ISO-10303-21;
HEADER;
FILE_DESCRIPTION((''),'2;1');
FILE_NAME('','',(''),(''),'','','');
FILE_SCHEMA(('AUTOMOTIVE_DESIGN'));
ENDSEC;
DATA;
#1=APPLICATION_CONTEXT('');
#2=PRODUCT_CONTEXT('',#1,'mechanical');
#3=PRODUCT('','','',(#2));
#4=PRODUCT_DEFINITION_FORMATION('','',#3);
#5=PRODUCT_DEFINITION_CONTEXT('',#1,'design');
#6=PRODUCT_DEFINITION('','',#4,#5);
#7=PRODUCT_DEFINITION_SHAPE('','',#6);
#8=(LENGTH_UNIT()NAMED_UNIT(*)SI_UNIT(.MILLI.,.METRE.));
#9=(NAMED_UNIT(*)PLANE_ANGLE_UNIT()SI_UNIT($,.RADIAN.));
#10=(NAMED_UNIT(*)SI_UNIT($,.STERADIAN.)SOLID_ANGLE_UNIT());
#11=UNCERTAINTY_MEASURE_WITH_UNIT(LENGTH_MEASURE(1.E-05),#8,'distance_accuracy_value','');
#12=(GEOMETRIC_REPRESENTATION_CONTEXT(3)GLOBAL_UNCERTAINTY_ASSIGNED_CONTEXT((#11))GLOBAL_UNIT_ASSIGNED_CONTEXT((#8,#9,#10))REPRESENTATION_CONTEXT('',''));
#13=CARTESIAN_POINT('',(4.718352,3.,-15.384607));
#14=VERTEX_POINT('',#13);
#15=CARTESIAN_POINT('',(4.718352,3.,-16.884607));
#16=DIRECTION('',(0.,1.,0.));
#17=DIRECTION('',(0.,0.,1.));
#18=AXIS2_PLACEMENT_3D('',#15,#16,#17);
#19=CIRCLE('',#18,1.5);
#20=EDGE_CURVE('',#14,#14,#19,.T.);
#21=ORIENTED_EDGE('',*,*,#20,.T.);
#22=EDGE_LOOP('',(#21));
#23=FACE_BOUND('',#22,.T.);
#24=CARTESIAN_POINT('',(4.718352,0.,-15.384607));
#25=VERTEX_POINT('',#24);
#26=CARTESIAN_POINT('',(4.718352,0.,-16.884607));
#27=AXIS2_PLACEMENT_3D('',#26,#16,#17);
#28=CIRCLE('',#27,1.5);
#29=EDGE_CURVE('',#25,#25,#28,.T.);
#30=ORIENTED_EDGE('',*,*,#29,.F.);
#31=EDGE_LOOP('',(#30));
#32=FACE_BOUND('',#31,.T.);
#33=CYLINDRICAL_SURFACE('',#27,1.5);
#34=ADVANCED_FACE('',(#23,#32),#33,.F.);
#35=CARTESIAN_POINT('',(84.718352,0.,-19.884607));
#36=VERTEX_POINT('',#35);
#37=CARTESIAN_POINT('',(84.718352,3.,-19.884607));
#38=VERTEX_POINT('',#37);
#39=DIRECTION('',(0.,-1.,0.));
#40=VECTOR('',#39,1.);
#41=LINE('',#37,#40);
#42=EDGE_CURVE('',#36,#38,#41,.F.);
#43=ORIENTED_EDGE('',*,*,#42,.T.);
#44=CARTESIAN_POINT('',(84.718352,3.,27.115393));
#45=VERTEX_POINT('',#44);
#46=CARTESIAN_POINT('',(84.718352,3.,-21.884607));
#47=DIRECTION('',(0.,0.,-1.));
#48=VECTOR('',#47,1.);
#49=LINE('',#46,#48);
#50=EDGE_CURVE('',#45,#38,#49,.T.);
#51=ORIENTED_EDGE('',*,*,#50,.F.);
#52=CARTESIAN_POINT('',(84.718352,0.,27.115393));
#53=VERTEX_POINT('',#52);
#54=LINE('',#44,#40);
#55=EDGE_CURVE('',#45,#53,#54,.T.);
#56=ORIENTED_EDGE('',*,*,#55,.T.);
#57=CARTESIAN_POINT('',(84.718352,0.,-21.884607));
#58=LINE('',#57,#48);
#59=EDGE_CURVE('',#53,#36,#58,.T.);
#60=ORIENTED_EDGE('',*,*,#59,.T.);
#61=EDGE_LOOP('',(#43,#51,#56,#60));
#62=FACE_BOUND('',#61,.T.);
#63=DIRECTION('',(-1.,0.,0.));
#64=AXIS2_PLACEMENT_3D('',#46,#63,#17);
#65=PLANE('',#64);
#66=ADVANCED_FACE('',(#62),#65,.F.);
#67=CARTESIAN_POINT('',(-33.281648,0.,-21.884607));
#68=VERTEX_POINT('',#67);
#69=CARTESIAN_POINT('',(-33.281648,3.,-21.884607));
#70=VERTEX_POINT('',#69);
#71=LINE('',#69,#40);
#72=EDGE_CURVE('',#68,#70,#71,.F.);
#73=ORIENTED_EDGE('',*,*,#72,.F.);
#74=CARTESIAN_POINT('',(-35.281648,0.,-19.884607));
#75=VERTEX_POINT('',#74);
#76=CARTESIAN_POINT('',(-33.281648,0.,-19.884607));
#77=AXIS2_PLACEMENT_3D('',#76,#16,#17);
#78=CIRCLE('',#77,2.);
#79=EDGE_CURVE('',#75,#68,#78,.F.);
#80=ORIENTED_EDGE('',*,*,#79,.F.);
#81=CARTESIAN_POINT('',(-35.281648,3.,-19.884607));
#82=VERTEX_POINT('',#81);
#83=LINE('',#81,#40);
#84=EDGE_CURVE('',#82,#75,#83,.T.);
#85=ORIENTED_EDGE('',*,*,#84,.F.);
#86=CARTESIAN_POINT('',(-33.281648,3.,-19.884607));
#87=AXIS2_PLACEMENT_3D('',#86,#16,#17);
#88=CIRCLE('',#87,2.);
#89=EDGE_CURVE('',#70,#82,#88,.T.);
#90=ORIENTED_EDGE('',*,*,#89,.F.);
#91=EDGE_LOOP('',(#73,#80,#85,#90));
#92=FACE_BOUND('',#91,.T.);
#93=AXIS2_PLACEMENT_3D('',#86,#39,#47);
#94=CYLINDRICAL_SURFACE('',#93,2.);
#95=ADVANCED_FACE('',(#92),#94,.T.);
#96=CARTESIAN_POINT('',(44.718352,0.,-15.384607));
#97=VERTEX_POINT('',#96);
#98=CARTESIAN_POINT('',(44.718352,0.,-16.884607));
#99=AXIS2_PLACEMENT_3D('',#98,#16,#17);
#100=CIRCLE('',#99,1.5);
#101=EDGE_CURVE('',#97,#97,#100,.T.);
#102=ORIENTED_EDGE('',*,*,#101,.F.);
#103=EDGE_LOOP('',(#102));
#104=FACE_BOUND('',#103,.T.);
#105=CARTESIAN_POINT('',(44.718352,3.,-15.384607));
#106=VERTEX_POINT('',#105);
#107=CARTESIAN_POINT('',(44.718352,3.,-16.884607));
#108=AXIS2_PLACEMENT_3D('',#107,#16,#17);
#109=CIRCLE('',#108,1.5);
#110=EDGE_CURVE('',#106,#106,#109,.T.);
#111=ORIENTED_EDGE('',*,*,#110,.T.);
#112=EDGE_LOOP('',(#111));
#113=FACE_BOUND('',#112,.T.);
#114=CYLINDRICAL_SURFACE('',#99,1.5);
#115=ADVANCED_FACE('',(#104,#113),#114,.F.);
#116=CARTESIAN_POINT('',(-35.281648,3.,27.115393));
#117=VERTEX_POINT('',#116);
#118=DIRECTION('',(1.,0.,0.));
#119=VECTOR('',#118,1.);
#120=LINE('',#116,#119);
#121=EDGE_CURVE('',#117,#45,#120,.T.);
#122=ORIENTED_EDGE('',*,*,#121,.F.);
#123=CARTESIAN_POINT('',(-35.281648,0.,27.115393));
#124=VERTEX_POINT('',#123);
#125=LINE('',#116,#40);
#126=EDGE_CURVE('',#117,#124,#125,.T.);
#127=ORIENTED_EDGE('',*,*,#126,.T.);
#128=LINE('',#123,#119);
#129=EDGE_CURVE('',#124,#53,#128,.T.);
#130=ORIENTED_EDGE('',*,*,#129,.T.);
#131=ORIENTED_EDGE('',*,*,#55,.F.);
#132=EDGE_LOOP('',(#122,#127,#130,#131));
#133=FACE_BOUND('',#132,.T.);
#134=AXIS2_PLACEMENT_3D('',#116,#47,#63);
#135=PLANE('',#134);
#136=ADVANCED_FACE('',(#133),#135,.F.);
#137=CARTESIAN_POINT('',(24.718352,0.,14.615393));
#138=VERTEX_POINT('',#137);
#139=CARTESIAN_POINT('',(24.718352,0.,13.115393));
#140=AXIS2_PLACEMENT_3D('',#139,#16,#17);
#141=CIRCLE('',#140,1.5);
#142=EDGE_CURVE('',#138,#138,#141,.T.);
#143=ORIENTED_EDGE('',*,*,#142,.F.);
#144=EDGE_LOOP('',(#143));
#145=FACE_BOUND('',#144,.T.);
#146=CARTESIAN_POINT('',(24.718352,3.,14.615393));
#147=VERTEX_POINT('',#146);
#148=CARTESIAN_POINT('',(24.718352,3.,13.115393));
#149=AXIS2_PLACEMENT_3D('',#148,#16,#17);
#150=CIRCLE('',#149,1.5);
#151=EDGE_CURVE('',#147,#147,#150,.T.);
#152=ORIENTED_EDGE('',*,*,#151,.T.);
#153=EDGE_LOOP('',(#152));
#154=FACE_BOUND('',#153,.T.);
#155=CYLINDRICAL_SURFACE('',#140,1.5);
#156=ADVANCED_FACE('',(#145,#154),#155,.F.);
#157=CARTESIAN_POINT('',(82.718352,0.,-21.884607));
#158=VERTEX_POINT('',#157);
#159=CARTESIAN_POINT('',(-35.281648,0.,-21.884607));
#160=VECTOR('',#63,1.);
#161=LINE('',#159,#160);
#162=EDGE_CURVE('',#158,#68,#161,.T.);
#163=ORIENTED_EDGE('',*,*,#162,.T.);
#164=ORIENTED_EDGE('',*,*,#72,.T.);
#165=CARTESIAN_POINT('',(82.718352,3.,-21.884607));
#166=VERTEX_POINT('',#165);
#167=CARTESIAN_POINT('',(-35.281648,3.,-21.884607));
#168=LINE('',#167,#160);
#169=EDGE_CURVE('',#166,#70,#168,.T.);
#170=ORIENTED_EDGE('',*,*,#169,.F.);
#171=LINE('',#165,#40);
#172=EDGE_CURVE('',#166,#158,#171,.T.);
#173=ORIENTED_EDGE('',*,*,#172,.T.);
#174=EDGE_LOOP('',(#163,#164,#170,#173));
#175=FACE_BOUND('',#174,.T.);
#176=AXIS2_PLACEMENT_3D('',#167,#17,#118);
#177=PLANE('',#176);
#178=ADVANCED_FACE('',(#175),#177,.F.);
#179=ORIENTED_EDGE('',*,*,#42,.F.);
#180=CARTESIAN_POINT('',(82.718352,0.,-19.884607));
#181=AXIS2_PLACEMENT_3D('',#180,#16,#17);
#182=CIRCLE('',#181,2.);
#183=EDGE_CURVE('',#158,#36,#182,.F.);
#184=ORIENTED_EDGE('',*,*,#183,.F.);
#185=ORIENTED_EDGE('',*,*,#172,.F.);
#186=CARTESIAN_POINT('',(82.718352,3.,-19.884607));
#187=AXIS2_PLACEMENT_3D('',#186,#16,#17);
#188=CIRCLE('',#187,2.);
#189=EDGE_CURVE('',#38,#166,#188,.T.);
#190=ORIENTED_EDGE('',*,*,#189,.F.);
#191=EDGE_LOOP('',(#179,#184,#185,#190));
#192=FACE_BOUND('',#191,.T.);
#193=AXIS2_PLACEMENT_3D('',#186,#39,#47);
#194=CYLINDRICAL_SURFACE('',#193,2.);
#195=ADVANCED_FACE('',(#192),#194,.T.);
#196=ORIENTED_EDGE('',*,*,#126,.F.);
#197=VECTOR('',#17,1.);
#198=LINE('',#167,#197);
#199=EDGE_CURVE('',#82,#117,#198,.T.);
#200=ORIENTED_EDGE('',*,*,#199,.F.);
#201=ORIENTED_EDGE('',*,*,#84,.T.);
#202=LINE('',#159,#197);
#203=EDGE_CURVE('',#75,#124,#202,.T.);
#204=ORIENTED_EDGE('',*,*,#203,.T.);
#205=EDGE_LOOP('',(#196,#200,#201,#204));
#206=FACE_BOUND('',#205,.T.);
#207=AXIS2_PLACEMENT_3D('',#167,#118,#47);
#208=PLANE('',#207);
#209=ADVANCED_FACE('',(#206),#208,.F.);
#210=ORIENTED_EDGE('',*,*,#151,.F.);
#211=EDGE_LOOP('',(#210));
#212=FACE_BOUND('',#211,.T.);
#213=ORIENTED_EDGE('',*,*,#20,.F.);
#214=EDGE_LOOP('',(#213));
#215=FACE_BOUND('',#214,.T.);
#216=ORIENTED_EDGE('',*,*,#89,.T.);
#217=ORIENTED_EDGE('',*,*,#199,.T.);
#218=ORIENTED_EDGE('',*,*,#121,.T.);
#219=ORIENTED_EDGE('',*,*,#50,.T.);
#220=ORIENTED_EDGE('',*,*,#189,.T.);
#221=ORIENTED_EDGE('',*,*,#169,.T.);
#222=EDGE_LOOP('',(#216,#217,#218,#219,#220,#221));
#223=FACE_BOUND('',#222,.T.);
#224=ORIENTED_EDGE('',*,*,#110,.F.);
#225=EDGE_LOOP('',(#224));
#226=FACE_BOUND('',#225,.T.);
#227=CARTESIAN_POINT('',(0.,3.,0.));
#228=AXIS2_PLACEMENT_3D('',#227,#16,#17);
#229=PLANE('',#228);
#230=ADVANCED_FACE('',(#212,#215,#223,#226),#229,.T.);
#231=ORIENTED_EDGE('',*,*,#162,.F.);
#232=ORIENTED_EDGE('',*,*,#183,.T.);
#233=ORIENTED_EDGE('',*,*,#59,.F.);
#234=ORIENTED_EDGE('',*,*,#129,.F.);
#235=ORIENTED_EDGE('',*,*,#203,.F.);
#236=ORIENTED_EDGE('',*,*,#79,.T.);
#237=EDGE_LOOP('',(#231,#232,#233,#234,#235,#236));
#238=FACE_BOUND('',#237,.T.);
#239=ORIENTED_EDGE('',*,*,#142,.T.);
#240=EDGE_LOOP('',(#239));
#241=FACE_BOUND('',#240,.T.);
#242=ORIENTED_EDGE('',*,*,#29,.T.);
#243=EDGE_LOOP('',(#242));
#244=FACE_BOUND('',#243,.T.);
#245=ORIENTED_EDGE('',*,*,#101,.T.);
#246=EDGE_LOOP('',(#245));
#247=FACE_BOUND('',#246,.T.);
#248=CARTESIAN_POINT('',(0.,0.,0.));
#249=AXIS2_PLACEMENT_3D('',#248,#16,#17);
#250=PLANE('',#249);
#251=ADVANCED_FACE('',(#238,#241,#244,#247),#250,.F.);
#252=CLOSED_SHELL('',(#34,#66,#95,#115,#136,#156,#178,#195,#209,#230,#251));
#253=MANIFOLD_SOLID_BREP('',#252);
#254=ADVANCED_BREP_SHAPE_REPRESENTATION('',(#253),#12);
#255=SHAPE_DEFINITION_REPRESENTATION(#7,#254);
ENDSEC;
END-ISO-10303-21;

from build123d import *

# Parameters (mm, degrees)
SKETCH_1_W          = 120
SKETCH_1_H          = 49
EXTRUDE_1_DEPTH     = 3
SKETCH_2_R          = 1.5
CUT_EXTRUDE_1_DEPTH = 3
FILLET_1_R          = 2


with BuildPart() as part:
    # 草图1 → 凸台-拉伸1 (new body)
    with BuildSketch(Plane(origin=(0, 0, 0), x_dir=(1, 0, 0), z_dir=(0, 1, 0))):
        with Locations((24.718351515, -2.615392567)):
            Rectangle(SKETCH_1_W, SKETCH_1_H)
    extrude(amount=EXTRUDE_1_DEPTH)

    # 草图2 → 切除-拉伸1 (cut)
    with BuildSketch(Plane(origin=(0, 3, 0), x_dir=(1, 0, 0), z_dir=(0, 1, 0))):
        with Locations(Location((4.718351515, 16.884607433, 0), (0, 0, 270))):
            Circle(SKETCH_2_R)
        with Locations(Location((44.718351515, 16.884607433, 0), (0, 0, 270))):
            Circle(SKETCH_2_R)
        with Locations(Location((24.718351515, -13.115392567, 0), (0, 0, 270))):
            Circle(SKETCH_2_R)
    extrude(amount=-CUT_EXTRUDE_1_DEPTH, mode=Mode.SUBTRACT)

    # 圆角1
    fillet_1_edges = [part.edges().sort_by_distance(p)[0] for p in [
        (-35.281648485, 1.5, -21.884607433),
        (84.718351515, 1.5, -21.884607433),
    ]]
    fillet(fillet_1_edges, radius=FILLET_1_R)


solid = part.part
